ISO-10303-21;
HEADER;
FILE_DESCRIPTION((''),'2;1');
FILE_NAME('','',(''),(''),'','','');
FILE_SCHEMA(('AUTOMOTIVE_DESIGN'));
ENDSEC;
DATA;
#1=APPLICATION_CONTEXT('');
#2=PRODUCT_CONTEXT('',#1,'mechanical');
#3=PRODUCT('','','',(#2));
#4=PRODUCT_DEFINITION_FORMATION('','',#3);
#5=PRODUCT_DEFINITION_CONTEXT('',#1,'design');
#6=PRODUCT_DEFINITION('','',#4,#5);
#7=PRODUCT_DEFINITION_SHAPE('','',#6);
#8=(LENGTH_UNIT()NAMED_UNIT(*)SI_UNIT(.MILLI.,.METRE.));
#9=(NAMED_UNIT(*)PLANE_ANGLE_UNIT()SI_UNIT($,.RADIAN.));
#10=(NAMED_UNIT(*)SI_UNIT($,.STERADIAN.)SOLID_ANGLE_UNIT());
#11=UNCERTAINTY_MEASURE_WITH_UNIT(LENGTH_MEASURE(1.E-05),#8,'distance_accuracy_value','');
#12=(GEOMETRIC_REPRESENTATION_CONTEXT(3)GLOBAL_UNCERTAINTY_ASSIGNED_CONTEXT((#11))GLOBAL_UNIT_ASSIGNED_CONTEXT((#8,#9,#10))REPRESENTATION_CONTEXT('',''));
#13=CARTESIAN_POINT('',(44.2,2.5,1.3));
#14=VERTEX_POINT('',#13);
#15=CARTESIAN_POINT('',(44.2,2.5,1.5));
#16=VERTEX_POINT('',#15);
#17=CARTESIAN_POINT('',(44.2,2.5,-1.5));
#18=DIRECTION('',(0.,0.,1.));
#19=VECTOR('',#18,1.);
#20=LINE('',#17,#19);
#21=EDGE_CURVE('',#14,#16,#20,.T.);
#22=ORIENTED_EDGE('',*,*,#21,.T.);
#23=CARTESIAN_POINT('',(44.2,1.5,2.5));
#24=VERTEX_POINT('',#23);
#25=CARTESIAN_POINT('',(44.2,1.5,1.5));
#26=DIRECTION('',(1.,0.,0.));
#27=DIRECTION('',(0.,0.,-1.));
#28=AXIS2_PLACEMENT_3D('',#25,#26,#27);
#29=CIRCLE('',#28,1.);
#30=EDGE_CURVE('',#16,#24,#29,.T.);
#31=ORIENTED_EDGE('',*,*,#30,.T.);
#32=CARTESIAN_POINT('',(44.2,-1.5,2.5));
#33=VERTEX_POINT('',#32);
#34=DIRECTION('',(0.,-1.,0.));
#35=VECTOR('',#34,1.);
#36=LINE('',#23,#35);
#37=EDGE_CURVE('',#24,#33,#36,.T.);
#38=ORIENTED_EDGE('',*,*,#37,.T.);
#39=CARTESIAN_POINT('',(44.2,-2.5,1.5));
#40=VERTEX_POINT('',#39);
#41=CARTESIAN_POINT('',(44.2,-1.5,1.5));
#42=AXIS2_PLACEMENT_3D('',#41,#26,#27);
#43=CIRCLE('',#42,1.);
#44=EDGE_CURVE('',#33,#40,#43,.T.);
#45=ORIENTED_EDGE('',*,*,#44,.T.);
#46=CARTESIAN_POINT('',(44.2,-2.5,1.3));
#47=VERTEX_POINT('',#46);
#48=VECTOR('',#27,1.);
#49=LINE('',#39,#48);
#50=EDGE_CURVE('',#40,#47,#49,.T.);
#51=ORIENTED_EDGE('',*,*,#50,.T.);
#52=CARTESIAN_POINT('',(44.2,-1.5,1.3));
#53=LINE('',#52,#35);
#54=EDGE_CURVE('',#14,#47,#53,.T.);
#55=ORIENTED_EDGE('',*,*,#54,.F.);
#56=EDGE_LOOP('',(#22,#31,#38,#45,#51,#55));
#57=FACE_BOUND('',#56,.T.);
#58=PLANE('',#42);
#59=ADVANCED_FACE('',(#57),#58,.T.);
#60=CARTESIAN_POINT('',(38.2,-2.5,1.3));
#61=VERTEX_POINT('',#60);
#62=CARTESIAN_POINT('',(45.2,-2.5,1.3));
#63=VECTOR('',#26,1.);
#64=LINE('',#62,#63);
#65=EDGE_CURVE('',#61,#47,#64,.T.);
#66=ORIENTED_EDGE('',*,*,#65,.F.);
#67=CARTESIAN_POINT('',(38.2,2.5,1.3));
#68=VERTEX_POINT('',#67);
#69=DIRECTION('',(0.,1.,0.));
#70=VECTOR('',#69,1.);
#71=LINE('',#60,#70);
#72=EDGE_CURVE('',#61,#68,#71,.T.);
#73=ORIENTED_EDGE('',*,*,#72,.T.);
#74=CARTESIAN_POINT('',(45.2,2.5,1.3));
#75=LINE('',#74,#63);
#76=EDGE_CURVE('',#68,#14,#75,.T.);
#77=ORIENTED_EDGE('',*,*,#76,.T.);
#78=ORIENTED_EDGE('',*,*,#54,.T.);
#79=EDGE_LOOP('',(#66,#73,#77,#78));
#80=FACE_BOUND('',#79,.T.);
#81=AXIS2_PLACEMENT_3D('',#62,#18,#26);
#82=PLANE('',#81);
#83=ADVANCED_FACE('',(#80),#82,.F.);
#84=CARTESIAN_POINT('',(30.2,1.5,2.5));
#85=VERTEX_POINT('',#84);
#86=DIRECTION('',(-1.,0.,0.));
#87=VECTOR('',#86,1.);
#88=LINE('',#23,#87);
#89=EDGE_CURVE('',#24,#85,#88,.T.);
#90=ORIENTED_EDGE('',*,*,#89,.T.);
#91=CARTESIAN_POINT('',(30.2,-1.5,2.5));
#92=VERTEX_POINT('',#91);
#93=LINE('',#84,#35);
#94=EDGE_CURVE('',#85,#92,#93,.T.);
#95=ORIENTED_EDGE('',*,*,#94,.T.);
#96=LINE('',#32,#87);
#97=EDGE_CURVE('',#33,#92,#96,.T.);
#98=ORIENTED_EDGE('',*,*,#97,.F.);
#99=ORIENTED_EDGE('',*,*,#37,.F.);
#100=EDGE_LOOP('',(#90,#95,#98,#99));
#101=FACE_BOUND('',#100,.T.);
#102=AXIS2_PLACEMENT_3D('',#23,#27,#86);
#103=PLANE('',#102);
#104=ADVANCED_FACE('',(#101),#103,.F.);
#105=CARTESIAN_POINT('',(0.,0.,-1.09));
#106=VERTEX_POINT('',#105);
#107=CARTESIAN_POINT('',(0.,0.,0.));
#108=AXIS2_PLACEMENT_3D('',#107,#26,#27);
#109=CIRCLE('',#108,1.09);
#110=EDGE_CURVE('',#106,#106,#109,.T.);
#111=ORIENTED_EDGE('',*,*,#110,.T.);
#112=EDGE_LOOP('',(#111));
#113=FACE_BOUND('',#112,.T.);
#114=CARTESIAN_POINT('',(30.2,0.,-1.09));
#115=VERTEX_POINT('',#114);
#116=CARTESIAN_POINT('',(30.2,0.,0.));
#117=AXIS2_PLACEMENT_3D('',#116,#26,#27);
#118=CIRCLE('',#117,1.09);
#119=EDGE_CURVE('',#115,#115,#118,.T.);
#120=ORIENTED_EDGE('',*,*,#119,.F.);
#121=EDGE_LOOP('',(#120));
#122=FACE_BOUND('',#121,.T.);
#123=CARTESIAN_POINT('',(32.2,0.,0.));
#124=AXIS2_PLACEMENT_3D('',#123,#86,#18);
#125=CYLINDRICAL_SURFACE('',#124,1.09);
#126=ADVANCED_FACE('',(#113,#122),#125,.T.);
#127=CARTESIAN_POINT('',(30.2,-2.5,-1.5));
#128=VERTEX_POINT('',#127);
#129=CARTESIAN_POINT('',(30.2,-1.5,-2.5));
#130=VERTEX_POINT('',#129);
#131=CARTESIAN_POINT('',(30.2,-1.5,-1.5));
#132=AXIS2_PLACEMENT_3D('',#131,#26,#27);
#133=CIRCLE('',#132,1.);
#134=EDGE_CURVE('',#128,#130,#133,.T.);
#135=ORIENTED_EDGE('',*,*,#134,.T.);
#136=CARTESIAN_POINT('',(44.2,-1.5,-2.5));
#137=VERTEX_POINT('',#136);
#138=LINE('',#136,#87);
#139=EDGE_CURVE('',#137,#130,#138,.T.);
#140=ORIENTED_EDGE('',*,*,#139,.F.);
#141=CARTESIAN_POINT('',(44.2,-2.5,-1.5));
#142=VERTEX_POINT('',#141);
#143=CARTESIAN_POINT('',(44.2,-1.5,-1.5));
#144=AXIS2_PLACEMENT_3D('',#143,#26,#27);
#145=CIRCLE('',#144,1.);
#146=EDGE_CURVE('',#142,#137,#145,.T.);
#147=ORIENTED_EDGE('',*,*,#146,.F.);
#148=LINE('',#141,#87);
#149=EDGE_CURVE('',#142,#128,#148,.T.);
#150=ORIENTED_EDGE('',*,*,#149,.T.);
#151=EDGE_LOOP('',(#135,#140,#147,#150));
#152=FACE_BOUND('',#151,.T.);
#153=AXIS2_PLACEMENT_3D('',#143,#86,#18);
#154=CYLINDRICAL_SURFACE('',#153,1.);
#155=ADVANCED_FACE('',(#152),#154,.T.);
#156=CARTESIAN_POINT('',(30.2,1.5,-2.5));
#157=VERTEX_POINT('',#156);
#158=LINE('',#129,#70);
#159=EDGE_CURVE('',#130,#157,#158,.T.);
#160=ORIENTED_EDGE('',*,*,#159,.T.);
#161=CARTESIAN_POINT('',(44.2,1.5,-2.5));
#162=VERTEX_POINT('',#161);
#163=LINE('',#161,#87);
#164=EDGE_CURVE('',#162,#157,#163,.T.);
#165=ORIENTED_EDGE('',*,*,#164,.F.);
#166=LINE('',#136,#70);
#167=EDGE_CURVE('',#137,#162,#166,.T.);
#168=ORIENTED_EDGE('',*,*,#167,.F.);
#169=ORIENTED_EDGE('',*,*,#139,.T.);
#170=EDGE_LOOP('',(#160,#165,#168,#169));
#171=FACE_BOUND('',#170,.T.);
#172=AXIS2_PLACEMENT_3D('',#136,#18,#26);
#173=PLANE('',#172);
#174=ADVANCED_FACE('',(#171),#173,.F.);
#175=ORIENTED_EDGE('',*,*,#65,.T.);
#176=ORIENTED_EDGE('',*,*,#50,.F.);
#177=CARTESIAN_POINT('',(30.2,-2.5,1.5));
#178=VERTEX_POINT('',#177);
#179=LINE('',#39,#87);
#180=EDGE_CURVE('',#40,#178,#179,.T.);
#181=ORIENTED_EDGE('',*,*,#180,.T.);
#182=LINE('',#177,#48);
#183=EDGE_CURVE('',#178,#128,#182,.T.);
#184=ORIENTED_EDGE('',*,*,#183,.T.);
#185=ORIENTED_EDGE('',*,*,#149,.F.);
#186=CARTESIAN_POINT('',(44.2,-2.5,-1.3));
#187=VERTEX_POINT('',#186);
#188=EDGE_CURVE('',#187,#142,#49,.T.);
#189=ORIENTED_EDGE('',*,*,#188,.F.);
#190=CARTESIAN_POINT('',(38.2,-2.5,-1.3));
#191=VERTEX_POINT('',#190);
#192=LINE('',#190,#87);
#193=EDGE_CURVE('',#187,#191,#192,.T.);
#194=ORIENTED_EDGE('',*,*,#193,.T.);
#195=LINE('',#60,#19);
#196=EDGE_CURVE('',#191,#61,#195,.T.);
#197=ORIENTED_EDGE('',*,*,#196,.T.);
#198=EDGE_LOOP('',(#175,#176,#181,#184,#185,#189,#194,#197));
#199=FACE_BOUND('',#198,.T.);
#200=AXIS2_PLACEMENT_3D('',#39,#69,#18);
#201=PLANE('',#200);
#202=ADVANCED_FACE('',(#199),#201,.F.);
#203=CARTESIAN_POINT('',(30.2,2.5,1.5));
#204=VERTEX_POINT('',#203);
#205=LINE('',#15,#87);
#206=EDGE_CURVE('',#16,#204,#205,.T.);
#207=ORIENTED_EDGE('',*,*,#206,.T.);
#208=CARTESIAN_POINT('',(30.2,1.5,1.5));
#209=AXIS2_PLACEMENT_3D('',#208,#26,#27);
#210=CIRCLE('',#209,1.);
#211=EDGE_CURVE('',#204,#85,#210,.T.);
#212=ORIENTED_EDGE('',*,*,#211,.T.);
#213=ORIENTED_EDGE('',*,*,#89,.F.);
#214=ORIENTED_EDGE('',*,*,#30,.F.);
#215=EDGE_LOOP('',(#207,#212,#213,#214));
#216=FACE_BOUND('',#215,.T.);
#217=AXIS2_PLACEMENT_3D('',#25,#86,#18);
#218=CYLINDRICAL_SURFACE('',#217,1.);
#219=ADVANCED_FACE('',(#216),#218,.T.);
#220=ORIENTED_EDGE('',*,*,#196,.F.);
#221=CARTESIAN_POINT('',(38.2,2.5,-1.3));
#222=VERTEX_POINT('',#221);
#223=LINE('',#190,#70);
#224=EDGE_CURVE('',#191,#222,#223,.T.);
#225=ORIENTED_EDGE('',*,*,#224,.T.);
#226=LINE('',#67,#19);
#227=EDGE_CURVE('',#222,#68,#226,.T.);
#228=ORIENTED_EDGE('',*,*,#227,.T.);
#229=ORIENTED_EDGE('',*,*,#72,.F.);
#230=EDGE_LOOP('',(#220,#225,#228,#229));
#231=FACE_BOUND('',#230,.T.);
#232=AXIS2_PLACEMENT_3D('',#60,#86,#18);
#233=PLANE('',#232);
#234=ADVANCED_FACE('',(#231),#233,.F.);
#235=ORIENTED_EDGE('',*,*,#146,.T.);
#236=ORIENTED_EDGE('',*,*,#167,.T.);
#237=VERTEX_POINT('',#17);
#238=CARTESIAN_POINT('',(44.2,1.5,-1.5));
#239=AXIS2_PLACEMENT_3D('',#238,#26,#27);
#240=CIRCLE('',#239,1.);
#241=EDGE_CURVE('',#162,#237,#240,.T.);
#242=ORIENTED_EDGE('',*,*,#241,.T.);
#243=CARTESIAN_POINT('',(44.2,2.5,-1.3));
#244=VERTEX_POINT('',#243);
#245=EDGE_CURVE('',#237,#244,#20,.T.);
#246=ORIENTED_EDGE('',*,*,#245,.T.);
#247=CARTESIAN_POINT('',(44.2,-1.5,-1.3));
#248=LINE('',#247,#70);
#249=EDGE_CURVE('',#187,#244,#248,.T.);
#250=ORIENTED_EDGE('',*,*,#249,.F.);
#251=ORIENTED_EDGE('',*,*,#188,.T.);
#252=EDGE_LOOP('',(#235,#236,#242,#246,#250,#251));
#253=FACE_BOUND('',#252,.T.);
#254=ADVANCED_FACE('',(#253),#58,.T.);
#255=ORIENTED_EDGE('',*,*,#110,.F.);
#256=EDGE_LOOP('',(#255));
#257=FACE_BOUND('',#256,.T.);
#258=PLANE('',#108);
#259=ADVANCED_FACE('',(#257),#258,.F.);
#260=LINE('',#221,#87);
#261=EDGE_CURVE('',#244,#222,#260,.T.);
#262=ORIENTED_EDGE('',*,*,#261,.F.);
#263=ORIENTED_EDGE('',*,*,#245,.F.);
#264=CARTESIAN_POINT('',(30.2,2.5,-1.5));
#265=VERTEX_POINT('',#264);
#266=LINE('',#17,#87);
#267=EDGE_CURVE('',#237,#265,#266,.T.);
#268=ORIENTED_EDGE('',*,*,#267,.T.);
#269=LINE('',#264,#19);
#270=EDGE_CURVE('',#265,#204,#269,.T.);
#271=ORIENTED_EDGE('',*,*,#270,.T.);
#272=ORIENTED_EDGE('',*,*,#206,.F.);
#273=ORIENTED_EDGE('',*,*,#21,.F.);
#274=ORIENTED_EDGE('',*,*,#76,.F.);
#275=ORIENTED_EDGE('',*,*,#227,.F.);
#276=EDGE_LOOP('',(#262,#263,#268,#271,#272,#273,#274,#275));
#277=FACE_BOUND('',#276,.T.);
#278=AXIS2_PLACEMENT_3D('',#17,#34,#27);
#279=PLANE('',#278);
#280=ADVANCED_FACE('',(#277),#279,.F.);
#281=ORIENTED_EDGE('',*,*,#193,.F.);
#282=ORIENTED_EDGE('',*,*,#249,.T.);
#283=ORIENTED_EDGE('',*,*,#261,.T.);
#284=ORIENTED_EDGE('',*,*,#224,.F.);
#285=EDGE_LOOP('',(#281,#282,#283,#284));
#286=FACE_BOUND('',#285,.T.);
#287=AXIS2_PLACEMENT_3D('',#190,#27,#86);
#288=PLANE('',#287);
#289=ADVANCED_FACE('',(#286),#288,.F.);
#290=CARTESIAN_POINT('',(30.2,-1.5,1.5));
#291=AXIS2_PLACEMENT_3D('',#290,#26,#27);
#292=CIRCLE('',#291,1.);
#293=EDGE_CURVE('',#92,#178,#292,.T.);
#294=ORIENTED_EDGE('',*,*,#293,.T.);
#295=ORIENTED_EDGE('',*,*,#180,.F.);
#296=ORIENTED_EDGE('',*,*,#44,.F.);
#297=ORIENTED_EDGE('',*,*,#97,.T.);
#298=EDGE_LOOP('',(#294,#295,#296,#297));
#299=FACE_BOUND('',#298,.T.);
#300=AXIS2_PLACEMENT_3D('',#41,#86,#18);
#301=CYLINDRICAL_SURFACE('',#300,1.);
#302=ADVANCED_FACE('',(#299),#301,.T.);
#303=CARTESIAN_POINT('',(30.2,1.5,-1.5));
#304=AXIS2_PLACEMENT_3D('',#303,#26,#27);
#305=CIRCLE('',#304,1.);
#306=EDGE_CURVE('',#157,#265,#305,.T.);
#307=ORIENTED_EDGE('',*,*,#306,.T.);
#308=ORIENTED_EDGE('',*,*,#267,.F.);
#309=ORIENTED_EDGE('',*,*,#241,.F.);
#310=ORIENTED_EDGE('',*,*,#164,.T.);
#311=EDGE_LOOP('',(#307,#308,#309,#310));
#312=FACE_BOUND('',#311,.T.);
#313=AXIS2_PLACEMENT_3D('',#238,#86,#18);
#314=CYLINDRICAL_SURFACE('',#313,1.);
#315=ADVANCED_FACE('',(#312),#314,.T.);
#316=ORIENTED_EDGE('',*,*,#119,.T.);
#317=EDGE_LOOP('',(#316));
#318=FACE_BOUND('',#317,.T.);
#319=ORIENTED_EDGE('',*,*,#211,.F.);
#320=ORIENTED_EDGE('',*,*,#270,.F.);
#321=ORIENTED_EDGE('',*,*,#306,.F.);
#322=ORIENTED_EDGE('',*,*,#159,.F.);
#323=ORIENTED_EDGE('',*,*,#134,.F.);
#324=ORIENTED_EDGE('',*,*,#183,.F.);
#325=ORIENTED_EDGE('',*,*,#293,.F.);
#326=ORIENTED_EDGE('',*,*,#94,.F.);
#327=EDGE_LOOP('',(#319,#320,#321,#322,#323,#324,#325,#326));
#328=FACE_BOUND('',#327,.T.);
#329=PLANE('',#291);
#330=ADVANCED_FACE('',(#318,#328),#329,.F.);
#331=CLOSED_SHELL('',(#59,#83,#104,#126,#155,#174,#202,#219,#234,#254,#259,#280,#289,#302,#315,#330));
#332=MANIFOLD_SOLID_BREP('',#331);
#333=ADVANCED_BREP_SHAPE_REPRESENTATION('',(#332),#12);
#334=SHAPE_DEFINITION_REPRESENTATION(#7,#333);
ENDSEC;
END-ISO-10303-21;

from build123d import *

# Parameters (mm, degrees)
SKETCH1_R               = 1.09
BOSS_EXTRUDE1_DEPTH     = 32.2
BOSS_EXTRUDE2_DEPTH     = 14
CUT_EXTRUDE1_DEPTH      = 45.341177251
CUT_EXTRUDE1_DEPTH_BACK = 45.341177251
SKETCH3_W               = 7
SKETCH3_H               = 2.6


with BuildPart() as part:
    # Sketch1 → Boss-Extrude1 (new body)
    with BuildSketch(Plane(origin=(0, 0, 0), x_dir=(0, 0, -1), z_dir=(1, 0, 0))):
        Circle(SKETCH1_R)
    extrude(amount=BOSS_EXTRUDE1_DEPTH)

    # Sketch2 → Boss-Extrude2 (add)
    with BuildSketch(Plane(origin=(30.2, 0, 0), x_dir=(0, 0, -1), z_dir=(1, 0, 0))):
        with BuildLine():
            Line((-1.5, -2.5), (1.5, -2.5))
            ThreePointArc((1.5, -2.5), (2.207106781, -2.207106781), (2.5, -1.5))
            Line((2.5, -1.5), (2.5, 1.5))
            ThreePointArc((2.5, 1.5), (2.207106781, 2.207106781), (1.5, 2.5))
            Line((1.5, 2.5), (-1.5, 2.5))
            ThreePointArc((-1.5, 2.5), (-2.207106781, 2.207106781), (-2.5, 1.5))
            Line((-2.5, 1.5), (-2.5, -1.5))
            ThreePointArc((-2.5, -1.5), (-2.207106781, -2.207106781), (-1.5, -2.5))
        make_face()
    extrude(amount=BOSS_EXTRUDE2_DEPTH)

    # Sketch3 → Cut-Extrude1 (cut, two sides: drawn at the far end of the back side and taken through both)
    with BuildSketch(Plane(origin=(0, 0, 0), x_dir=(1, 0, 0), z_dir=(0, 1, 0)).offset(-CUT_EXTRUDE1_DEPTH_BACK)):
        with Locations((41.7, 0)):
            Rectangle(SKETCH3_W, SKETCH3_H)
    extrude(amount=CUT_EXTRUDE1_DEPTH + CUT_EXTRUDE1_DEPTH_BACK, mode=Mode.SUBTRACT)


solid = part.part
